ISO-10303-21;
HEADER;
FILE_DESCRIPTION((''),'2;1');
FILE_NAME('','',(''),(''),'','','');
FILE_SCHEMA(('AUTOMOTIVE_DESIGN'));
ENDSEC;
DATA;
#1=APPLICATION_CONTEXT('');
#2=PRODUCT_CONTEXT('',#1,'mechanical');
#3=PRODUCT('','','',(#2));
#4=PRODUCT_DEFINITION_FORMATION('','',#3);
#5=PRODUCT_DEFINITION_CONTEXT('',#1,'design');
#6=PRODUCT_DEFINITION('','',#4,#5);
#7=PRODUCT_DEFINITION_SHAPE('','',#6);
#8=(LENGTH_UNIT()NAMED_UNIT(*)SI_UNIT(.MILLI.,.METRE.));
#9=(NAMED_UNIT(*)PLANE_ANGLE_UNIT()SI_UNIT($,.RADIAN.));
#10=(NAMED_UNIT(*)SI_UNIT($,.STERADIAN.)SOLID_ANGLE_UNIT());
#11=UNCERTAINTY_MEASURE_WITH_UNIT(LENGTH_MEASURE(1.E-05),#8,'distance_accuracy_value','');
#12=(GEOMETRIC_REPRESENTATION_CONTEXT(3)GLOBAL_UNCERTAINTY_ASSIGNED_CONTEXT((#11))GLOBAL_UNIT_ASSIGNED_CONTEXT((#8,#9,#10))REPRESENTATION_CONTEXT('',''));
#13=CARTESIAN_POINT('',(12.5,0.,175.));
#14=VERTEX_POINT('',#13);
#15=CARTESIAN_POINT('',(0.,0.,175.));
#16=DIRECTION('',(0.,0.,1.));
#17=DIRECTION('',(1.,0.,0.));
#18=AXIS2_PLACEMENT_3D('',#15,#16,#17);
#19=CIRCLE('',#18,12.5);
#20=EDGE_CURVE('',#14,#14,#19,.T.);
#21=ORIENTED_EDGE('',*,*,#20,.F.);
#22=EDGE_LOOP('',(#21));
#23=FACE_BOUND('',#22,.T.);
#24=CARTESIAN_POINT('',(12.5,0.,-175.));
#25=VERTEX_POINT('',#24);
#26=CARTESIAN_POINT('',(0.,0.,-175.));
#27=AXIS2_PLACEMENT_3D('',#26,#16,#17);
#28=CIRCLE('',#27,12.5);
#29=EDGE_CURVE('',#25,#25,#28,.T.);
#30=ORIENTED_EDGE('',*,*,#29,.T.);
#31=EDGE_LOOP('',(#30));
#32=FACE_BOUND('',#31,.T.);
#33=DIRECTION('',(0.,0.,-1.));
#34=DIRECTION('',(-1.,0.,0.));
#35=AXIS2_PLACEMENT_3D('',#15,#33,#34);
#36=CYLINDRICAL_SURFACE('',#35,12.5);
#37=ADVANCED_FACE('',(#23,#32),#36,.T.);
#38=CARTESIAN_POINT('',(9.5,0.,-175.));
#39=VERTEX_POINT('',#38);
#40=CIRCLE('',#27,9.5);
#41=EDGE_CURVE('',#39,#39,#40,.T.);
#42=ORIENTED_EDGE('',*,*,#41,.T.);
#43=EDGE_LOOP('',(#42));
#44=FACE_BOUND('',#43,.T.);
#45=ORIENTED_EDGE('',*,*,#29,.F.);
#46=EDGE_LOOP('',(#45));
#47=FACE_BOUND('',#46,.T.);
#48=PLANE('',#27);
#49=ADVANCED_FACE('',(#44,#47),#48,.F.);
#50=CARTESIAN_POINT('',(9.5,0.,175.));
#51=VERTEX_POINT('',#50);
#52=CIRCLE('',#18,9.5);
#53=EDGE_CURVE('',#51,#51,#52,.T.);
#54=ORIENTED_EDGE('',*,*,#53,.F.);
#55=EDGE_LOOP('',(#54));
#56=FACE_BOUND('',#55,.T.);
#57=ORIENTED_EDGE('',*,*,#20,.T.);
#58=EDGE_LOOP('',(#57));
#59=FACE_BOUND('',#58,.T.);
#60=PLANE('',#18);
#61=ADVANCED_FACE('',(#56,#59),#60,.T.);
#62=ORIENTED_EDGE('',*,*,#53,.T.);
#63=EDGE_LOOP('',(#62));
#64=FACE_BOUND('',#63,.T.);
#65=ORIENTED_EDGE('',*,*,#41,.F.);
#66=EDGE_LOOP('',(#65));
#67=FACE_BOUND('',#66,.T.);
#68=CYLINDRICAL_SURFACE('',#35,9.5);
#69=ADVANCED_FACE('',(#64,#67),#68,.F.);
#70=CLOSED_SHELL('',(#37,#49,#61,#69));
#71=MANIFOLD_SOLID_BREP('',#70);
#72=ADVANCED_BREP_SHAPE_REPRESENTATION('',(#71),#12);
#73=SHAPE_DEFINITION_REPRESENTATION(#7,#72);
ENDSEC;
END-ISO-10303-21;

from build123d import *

# Parameters (mm, degrees)
SKETCH1_R           = 12.5
SKETCH1_R_2         = 9.5
EXTRUDE_THIN1_DEPTH = 175


with BuildPart() as part:
    # Sketch1 → Extrude-Thin1 (new, symmetric)
    with BuildSketch(Plane.XY):
        Circle(SKETCH1_R)
        Circle(SKETCH1_R_2, mode=Mode.SUBTRACT)
    extrude(amount=EXTRUDE_THIN1_DEPTH, both=True)


solid = part.part
